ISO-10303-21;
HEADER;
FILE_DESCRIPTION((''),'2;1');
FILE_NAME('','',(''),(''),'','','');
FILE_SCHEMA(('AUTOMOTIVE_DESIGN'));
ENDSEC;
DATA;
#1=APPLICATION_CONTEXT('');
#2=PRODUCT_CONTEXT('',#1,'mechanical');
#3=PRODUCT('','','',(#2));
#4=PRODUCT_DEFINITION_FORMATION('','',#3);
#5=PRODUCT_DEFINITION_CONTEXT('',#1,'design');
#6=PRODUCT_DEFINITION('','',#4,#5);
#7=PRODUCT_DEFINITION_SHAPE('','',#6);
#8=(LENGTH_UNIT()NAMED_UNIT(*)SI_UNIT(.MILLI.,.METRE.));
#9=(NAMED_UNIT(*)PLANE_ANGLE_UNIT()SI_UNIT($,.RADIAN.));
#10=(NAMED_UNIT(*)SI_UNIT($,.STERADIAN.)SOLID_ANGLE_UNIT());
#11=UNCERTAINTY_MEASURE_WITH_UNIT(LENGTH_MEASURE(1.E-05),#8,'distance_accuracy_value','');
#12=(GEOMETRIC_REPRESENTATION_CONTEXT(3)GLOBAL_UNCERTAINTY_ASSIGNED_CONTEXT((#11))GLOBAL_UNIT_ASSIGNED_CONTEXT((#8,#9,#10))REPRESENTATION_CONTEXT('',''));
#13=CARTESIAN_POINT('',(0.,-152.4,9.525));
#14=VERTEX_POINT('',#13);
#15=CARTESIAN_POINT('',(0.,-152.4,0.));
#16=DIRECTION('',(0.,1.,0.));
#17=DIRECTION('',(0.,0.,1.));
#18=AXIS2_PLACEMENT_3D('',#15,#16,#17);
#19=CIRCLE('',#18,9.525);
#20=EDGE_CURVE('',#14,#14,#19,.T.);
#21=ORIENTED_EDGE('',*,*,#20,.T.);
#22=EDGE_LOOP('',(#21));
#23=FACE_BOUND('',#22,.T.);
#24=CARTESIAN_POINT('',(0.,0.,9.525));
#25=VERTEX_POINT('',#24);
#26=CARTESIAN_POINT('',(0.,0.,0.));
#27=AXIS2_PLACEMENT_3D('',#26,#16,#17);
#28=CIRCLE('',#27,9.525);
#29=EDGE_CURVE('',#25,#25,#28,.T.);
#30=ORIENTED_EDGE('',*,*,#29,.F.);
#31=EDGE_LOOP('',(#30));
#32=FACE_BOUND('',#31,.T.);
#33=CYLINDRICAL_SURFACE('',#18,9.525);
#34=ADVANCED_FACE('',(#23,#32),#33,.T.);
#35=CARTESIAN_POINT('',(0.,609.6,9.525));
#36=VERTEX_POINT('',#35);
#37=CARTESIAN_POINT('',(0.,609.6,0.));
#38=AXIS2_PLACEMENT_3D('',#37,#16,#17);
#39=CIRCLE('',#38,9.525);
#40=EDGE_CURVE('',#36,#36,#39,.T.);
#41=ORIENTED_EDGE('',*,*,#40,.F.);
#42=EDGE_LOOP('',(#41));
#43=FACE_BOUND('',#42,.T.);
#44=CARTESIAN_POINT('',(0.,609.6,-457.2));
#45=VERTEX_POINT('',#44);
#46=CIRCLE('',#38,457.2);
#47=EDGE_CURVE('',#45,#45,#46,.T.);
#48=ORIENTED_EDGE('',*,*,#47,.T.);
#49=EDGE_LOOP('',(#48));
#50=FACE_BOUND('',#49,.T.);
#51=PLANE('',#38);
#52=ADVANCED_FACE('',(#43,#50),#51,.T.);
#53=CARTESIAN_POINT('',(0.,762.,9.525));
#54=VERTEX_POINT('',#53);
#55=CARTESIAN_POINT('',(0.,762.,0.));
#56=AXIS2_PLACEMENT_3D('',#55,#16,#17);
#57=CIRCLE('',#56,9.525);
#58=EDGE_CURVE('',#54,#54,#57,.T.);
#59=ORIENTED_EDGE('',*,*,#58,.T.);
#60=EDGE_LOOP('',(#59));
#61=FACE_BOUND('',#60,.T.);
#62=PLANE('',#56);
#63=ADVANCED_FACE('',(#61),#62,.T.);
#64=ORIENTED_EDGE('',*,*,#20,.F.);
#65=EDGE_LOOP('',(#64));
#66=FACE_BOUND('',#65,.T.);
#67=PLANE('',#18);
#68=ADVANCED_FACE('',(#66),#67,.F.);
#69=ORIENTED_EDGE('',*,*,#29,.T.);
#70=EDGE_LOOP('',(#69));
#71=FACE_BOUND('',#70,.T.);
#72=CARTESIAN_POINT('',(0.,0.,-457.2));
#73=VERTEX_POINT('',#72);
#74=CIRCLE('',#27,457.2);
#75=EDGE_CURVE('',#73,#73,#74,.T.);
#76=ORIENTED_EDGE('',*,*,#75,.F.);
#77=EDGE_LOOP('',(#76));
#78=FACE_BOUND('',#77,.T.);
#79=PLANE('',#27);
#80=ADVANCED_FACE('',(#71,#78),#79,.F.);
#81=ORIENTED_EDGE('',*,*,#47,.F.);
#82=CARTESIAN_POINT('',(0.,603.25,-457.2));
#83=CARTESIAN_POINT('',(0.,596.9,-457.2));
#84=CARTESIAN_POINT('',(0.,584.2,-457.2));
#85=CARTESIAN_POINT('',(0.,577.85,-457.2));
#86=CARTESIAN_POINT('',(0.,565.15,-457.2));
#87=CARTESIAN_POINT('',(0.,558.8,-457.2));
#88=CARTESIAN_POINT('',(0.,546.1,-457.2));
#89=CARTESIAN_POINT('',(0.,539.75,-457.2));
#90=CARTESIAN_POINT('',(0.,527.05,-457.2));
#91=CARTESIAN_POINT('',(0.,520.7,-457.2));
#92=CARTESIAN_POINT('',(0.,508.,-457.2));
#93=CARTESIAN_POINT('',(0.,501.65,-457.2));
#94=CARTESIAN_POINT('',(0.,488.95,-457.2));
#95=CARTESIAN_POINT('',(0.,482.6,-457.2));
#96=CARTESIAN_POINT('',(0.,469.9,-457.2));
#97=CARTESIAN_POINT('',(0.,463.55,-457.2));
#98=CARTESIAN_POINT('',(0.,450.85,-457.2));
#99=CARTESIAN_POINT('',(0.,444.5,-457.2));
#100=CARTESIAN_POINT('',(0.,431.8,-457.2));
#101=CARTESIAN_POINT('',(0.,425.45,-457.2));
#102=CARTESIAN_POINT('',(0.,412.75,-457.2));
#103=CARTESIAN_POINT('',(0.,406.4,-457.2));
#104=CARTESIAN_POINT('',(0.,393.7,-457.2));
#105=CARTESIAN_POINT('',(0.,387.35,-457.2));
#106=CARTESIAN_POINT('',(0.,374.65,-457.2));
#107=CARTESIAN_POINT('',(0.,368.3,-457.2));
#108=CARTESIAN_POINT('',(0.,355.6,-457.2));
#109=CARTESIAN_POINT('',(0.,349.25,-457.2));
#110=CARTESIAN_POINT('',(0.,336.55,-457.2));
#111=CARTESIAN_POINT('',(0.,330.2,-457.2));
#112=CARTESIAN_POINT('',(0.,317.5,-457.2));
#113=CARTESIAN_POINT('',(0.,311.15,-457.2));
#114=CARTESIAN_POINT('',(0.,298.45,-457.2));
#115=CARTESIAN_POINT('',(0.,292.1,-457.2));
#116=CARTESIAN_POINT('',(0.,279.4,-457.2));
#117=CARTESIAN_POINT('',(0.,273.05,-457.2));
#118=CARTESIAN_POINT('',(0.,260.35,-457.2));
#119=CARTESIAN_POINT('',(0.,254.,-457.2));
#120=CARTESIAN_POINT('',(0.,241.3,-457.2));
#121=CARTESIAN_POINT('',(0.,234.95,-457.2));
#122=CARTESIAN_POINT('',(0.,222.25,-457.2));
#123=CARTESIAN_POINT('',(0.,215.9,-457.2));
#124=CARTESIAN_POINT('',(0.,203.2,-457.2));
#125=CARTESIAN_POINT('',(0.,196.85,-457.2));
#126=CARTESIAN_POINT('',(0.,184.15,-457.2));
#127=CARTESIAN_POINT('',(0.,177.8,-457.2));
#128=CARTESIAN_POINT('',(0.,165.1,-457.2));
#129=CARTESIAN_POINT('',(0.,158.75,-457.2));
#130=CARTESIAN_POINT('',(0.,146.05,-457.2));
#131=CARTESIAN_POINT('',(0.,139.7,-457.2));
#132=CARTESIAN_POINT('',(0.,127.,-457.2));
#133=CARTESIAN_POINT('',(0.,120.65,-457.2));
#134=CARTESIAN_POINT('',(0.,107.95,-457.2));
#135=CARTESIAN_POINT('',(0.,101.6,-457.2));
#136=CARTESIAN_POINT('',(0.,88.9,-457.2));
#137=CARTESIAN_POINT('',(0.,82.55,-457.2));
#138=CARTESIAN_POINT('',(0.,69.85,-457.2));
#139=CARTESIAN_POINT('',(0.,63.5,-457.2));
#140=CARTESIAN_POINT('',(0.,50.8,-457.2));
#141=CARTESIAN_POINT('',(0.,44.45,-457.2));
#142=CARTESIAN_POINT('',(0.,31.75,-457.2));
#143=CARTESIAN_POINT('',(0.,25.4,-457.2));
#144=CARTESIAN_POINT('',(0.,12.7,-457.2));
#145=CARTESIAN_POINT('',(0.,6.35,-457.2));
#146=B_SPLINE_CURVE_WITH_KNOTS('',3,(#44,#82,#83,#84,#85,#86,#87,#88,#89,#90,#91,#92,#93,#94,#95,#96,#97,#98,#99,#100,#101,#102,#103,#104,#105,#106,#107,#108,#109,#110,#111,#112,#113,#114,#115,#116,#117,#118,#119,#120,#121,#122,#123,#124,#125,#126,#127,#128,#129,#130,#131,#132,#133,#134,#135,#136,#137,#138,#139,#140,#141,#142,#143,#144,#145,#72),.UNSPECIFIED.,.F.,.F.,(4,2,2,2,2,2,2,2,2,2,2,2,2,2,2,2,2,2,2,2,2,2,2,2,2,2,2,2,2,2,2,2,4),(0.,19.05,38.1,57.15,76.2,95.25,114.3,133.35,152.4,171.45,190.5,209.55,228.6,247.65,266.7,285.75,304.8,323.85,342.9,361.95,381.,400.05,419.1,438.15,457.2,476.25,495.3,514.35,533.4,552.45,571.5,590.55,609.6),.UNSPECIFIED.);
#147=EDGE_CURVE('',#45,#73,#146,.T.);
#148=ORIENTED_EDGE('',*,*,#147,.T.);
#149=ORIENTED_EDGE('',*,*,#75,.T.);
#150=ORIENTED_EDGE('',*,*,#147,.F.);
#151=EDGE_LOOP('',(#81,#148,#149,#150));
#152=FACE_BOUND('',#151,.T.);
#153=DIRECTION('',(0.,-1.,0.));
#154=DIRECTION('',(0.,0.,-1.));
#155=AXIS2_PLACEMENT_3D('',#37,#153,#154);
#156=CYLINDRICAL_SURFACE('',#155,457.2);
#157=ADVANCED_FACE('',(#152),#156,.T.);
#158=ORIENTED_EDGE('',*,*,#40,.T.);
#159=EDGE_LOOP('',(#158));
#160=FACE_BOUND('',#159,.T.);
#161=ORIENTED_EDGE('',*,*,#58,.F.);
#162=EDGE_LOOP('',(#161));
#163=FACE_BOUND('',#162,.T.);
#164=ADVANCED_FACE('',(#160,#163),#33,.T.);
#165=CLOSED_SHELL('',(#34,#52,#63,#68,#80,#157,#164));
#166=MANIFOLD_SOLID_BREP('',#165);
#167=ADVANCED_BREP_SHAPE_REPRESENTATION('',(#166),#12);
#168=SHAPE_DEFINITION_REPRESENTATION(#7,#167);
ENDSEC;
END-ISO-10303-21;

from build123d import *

# Parameters (mm, degrees)
SKETCH1_R                = 457.2
BOSS_EXTRUDE1_DEPTH      = 609.6
BOSS_EXTRUDE2_DEPTH      = 152.4
BOSS_EXTRUDE2_DEPTH_BACK = 762
SKETCH2_R                = 9.525


with BuildPart() as part:
    # Sketch1 → Boss-Extrude1 (new body)
    with BuildSketch(Plane(origin=(0, 0, 0), x_dir=(1, 0, 0), z_dir=(0, 1, 0))):
        with Locations(Location((0, 0, 0), (0, 0, 90))):
            Circle(SKETCH1_R)
    extrude(amount=BOSS_EXTRUDE1_DEPTH)

    # Sketch2 → Boss-Extrude2 (add, two sides: drawn at the far end of the back side and taken through both)
    with BuildSketch(Plane(origin=(0, 609.6, 0), x_dir=(1, 0, 0), z_dir=(0, 1, 0)).offset(-BOSS_EXTRUDE2_DEPTH_BACK)):
        with Locations(Location((0, 0, 0), (0, 0, 270))):
            Circle(SKETCH2_R)
    extrude(amount=BOSS_EXTRUDE2_DEPTH + BOSS_EXTRUDE2_DEPTH_BACK)


solid = part.part
